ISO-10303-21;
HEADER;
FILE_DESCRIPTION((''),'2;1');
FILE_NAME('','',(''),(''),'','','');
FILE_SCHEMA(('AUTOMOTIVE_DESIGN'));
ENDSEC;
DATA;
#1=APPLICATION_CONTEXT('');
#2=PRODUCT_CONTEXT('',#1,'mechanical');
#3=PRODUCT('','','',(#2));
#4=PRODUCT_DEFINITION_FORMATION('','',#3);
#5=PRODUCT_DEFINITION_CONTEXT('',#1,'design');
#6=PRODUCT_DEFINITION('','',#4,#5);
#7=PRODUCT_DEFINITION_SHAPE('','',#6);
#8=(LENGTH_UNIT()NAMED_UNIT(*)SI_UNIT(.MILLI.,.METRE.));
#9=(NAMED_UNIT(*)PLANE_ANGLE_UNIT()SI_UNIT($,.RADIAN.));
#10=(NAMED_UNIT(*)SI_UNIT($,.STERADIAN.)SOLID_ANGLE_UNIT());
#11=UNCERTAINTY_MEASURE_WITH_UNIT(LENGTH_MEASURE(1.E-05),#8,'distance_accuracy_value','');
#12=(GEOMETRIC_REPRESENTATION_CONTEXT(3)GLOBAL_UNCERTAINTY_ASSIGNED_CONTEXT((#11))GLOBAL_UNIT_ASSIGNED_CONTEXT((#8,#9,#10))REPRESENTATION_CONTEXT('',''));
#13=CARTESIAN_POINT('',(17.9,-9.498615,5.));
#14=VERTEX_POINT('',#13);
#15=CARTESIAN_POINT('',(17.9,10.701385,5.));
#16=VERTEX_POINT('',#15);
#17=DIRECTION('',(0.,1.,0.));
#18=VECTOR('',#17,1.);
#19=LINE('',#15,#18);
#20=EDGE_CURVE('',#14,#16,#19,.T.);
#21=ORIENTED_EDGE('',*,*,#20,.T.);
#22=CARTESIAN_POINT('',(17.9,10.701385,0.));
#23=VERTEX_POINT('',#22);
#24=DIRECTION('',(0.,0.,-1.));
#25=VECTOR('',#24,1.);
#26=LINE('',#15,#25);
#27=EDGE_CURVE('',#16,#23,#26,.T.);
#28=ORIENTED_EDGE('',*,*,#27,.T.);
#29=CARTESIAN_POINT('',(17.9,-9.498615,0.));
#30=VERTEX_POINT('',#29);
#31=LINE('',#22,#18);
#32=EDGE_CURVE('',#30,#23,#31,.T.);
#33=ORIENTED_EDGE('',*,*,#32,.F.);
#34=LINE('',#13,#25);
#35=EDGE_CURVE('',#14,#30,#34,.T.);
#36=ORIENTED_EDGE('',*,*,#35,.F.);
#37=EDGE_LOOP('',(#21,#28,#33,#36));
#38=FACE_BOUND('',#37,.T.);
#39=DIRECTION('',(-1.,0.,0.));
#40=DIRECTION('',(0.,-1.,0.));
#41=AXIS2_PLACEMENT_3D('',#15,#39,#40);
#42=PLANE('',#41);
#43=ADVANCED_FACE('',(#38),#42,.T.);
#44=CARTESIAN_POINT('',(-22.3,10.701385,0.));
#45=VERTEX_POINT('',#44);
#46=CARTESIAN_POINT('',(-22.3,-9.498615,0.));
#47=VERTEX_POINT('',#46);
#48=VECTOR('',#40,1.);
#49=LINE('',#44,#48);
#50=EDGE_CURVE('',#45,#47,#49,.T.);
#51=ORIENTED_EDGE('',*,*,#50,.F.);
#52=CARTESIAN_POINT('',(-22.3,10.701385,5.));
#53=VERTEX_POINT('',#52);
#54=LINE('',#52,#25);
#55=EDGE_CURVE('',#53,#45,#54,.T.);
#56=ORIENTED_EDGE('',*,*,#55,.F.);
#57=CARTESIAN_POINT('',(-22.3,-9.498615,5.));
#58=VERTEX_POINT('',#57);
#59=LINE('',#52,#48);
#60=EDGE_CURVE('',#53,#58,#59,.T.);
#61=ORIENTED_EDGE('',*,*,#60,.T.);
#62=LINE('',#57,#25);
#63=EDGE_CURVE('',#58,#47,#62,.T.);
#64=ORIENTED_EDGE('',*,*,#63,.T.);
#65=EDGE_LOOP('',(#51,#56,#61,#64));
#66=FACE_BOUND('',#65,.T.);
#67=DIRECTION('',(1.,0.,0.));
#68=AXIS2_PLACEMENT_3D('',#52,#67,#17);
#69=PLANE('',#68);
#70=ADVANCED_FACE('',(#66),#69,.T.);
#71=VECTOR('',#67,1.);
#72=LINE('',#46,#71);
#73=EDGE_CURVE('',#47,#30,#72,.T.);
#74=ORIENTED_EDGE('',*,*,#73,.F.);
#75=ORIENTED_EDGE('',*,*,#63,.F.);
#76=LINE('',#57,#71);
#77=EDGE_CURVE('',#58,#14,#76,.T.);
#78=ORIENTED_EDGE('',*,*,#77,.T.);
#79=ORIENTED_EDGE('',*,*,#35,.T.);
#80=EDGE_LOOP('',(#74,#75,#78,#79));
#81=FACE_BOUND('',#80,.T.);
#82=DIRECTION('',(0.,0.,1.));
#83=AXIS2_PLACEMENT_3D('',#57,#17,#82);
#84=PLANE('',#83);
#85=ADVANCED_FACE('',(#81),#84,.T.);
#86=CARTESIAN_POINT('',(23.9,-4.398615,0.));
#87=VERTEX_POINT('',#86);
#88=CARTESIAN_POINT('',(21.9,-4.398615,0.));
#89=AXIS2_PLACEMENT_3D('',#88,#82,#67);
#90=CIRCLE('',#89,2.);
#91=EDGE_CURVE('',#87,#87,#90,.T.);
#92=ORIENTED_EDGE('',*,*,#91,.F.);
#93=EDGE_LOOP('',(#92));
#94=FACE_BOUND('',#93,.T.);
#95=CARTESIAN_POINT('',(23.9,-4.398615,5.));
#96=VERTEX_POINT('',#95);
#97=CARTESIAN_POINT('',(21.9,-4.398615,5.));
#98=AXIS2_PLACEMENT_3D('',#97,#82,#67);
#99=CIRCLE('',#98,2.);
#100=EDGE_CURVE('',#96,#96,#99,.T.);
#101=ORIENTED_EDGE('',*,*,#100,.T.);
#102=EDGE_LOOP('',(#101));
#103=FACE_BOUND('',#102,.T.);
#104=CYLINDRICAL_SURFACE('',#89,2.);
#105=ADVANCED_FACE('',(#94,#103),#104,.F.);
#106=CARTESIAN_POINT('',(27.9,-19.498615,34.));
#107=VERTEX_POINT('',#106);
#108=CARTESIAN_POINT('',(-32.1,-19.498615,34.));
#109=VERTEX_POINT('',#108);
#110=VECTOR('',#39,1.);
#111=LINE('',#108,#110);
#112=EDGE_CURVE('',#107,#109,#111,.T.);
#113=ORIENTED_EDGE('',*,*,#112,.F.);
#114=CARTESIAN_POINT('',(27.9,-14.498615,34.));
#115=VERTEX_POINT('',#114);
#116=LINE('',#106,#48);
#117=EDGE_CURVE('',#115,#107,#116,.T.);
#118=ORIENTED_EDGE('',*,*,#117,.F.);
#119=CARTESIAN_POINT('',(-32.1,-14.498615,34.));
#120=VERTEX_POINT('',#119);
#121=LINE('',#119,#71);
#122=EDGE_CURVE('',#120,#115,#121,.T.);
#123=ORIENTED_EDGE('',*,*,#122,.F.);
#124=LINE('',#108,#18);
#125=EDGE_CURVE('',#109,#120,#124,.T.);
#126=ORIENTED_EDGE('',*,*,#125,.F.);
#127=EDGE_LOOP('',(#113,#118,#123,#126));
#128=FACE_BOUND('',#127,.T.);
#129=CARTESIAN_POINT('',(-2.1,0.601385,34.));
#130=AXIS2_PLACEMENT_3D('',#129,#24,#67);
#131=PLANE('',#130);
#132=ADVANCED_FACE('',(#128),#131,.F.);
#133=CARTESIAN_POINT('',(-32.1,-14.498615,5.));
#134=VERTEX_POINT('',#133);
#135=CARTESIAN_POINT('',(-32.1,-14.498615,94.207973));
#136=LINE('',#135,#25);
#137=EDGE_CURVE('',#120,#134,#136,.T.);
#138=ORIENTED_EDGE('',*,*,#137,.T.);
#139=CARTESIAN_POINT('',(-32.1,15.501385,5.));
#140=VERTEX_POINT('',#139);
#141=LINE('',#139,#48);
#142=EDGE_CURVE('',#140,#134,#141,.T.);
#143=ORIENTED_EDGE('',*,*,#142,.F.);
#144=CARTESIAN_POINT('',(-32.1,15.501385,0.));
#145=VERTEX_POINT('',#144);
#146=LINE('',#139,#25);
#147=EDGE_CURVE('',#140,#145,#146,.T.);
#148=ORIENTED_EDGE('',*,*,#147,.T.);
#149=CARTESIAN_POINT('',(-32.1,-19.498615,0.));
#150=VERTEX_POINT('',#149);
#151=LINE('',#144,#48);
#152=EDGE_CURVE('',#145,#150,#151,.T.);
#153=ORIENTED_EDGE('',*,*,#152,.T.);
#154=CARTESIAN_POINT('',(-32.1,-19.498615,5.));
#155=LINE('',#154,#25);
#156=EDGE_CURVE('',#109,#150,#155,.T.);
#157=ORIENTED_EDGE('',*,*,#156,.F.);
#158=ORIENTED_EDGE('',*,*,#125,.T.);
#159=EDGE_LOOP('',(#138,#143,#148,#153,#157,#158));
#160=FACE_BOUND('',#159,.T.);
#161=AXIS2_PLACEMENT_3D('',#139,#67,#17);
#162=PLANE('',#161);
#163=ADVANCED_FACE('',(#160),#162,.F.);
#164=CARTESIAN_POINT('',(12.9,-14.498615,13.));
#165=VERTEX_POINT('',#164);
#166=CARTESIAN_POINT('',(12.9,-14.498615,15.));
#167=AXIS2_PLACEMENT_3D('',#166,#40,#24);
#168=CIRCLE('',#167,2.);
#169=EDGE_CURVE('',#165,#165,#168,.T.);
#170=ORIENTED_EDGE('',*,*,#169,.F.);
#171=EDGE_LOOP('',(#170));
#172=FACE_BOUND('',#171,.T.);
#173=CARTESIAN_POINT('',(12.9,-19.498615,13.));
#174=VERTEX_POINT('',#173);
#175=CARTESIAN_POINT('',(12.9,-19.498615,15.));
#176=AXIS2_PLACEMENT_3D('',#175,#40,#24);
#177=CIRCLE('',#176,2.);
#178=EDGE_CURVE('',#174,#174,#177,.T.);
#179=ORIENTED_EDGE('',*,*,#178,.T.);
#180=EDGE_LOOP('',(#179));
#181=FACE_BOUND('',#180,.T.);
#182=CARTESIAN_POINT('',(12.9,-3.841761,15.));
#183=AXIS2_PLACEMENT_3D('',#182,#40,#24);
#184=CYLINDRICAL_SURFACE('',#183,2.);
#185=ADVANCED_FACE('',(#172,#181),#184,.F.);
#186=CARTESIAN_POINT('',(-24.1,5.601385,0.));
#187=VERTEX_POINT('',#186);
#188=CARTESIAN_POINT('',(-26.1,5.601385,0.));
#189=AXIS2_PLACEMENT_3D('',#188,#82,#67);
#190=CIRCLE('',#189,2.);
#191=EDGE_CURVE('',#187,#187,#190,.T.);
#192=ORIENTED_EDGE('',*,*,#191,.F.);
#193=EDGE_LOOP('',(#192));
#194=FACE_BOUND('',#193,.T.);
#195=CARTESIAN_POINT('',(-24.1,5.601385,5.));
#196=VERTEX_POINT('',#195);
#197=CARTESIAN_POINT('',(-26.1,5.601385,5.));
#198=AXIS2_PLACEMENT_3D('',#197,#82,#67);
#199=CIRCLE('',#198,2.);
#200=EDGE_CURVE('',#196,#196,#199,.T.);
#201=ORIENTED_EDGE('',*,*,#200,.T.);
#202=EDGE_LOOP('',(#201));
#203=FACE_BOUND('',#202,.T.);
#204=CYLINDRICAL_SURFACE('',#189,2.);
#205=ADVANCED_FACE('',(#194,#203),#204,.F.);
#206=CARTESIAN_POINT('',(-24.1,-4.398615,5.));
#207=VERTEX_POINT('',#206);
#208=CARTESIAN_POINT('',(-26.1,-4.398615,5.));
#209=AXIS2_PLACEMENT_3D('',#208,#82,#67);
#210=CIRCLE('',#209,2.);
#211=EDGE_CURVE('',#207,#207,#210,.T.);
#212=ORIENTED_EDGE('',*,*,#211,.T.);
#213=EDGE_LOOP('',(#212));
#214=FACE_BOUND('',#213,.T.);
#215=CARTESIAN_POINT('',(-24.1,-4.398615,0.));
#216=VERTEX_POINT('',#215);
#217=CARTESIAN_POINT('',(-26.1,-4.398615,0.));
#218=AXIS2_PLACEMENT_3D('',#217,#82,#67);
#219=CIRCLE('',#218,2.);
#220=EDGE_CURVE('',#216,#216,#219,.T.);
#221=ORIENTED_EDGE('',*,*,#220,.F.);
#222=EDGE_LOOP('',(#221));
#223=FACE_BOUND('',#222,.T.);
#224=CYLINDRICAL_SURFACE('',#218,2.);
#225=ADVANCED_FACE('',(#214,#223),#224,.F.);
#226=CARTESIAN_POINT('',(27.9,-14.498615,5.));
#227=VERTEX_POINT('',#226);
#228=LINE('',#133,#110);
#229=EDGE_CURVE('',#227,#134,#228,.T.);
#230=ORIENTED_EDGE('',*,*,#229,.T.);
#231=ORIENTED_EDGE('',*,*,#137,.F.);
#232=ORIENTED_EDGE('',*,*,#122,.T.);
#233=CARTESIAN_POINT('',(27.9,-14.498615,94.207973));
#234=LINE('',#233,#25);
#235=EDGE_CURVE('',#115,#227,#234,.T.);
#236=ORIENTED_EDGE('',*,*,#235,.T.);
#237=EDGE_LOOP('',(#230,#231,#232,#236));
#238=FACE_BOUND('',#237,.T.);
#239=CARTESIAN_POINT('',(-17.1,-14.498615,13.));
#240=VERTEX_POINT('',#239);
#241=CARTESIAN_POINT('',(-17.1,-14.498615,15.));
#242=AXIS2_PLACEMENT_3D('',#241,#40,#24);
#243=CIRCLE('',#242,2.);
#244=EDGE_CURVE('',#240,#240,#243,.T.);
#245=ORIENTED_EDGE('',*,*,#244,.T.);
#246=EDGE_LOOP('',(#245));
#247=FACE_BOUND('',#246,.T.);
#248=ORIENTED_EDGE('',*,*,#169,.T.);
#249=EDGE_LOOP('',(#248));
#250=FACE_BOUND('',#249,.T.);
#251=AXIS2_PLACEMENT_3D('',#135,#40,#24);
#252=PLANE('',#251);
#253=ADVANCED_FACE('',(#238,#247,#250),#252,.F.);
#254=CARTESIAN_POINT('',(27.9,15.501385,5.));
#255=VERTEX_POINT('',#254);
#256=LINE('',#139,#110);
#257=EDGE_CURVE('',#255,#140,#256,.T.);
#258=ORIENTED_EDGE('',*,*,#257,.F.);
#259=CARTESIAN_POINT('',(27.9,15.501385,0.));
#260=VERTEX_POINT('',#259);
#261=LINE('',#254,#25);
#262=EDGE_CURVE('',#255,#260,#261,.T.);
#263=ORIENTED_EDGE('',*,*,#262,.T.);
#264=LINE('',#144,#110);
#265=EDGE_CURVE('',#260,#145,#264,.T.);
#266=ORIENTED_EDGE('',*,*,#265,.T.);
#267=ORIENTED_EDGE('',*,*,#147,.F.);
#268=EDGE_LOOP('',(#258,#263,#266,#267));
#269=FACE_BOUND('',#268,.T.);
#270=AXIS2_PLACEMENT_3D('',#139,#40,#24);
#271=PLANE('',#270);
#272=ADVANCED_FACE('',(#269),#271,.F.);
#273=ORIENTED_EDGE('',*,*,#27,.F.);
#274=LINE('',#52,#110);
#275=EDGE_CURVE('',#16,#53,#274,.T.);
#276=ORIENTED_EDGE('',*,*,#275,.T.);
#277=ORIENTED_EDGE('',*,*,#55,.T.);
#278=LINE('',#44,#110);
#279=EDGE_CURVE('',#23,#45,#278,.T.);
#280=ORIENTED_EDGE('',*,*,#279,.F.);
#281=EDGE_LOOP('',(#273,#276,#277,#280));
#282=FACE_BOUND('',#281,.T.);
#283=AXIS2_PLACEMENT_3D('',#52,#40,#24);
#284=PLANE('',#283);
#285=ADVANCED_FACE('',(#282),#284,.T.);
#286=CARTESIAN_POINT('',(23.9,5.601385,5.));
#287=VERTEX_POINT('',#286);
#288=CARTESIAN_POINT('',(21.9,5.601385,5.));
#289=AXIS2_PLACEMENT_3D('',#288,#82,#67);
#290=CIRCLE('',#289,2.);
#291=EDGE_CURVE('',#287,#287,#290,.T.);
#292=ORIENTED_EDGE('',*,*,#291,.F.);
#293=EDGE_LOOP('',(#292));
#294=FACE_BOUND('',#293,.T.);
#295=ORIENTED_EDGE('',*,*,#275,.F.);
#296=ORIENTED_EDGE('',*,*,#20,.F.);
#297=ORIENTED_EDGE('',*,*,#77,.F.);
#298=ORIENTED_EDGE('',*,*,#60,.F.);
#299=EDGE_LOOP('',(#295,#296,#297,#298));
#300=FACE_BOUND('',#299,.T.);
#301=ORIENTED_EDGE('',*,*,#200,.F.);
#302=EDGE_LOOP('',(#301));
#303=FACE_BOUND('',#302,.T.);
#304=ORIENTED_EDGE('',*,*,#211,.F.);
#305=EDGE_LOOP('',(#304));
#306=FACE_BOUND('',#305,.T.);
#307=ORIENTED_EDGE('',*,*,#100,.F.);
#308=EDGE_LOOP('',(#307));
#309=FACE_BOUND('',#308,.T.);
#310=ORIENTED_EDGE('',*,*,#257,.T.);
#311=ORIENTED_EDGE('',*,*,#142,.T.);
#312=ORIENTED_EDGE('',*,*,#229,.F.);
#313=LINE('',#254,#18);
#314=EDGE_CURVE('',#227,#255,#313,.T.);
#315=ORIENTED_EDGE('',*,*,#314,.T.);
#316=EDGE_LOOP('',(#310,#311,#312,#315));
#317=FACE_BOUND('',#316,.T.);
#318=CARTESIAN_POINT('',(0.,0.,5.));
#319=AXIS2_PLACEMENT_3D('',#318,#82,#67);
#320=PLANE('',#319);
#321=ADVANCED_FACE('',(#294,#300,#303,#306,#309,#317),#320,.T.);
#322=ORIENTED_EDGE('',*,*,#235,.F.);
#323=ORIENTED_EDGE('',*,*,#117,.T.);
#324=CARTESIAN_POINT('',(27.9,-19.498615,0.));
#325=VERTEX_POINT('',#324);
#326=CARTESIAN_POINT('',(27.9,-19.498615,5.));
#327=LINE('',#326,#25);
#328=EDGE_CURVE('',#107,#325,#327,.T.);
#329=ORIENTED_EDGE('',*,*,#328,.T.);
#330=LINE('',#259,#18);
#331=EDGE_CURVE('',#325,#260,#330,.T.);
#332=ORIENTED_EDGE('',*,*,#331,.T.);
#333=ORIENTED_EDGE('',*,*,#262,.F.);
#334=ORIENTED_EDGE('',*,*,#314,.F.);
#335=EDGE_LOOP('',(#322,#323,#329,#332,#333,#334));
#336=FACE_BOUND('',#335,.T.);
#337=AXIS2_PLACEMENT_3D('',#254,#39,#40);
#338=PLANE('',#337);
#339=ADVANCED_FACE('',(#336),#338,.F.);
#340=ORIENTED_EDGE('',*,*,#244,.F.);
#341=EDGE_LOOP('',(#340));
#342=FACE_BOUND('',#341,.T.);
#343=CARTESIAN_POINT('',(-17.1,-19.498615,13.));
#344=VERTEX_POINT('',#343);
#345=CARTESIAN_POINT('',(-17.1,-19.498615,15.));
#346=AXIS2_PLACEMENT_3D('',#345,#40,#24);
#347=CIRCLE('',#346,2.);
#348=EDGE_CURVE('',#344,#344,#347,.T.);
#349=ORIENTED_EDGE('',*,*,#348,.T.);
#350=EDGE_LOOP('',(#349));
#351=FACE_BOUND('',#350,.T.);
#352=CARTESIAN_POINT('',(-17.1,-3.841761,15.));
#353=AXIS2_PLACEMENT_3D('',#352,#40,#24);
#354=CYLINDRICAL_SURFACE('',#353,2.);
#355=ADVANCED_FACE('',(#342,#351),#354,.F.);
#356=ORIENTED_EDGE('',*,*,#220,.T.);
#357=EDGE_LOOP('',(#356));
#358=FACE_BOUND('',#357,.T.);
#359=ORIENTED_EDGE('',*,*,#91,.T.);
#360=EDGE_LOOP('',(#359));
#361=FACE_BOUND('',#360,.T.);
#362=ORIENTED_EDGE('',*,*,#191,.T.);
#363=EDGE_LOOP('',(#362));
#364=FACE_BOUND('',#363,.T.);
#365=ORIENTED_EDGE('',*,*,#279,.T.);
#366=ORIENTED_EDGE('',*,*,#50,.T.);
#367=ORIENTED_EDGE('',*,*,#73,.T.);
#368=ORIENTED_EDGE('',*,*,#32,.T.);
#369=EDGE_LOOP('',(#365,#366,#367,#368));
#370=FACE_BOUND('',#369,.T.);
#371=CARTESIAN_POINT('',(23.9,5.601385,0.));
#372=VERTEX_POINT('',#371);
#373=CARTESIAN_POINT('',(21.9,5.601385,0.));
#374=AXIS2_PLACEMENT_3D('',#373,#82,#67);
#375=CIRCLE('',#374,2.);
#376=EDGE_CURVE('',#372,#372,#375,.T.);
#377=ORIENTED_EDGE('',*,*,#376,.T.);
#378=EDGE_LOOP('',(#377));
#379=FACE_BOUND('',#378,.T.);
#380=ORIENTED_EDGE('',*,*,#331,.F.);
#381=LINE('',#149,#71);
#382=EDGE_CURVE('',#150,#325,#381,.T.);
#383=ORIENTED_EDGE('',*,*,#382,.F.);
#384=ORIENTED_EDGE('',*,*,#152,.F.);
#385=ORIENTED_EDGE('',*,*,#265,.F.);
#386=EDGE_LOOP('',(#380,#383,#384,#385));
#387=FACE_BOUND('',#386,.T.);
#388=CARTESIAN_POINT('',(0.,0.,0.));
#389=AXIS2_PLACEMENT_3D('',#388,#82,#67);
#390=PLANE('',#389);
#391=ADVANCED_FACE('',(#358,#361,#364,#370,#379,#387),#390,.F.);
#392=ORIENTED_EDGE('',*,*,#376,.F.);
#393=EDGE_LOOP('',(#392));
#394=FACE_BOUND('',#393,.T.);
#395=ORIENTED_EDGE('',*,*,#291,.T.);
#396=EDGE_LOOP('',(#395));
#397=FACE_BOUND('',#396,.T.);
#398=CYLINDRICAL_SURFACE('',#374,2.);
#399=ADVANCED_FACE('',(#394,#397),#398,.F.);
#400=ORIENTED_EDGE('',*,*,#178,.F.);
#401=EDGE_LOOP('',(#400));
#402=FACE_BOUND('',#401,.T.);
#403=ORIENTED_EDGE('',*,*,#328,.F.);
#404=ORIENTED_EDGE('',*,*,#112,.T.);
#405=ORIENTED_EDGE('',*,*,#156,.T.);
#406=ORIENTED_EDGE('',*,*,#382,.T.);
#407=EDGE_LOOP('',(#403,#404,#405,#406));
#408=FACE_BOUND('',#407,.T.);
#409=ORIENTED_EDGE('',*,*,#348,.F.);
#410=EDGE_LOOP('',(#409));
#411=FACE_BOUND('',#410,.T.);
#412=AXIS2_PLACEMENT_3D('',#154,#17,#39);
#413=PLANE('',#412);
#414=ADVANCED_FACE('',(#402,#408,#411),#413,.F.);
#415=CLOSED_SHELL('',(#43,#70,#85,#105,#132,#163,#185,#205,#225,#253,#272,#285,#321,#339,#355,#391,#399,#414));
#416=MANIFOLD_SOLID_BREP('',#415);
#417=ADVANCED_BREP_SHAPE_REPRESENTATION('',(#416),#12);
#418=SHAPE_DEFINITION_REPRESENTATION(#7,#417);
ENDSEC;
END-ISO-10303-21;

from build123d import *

# Parameters (mm, degrees)
SKETCH1_W           = 60
SKETCH1_H           = 35
SKETCH1_W_2         = 40.2
SKETCH1_H_2         = 20.2
BOSS_EXTRUDE1_DEPTH = 5
SKETCH2_W           = 60
SKETCH2_H           = 5
BOSS_EXTRUDE2_DEPTH = 29
SKETCH3_R           = 2
CUT_EXTRUDE1_DEPTH  = 10
SKETCH4_R           = 2
CUT_EXTRUDE2_DEPTH  = 48.451090489


with BuildPart() as part:
    # Sketch1 → Boss-Extrude1 (new body)
    with BuildSketch(Plane.XY):
        with Locations((-2.1, -1.998615043)):
            Rectangle(SKETCH1_W, SKETCH1_H)
        with Locations((-2.2, 0.601384957)):
            Rectangle(SKETCH1_W_2, SKETCH1_H_2, mode=Mode.SUBTRACT)
    extrude(amount=BOSS_EXTRUDE1_DEPTH)

    # Sketch2 → Boss-Extrude2 (add)
    with BuildSketch(Plane.XY.offset(5)):
        with Locations((-2.1, -16.998615043)):
            Rectangle(SKETCH2_W, SKETCH2_H)
    extrude(amount=BOSS_EXTRUDE2_DEPTH)

    # Sketch3 → Cut-Extrude1 (cut)
    with BuildSketch(Plane(origin=(0, -19.498615043, 0), x_dir=(-1, 0, 0), z_dir=(0, -1, 0))):
        with Locations(Location((17.1, -15, 0), (0, 0, 90))):
            Circle(SKETCH3_R)
        with Locations(Location((-12.9, -15, 0), (0, 0, 90))):
            Circle(SKETCH3_R)
    extrude(amount=-CUT_EXTRUDE1_DEPTH, mode=Mode.SUBTRACT)

    # Sketch4 → Cut-Extrude2 (cut, through all)
    with BuildSketch(Plane.XY.offset(5)):
        with Locations((21.9, 5.601384957)):
            Circle(SKETCH4_R)
        with Locations((21.9, -4.398615043)):
            Circle(SKETCH4_R)
        with Locations((-26.1, -4.398615043)):
            Circle(SKETCH4_R)
        with Locations((-26.1, 5.601384957)):
            Circle(SKETCH4_R)
    extrude(amount=-CUT_EXTRUDE2_DEPTH, mode=Mode.SUBTRACT)


solid = part.part
